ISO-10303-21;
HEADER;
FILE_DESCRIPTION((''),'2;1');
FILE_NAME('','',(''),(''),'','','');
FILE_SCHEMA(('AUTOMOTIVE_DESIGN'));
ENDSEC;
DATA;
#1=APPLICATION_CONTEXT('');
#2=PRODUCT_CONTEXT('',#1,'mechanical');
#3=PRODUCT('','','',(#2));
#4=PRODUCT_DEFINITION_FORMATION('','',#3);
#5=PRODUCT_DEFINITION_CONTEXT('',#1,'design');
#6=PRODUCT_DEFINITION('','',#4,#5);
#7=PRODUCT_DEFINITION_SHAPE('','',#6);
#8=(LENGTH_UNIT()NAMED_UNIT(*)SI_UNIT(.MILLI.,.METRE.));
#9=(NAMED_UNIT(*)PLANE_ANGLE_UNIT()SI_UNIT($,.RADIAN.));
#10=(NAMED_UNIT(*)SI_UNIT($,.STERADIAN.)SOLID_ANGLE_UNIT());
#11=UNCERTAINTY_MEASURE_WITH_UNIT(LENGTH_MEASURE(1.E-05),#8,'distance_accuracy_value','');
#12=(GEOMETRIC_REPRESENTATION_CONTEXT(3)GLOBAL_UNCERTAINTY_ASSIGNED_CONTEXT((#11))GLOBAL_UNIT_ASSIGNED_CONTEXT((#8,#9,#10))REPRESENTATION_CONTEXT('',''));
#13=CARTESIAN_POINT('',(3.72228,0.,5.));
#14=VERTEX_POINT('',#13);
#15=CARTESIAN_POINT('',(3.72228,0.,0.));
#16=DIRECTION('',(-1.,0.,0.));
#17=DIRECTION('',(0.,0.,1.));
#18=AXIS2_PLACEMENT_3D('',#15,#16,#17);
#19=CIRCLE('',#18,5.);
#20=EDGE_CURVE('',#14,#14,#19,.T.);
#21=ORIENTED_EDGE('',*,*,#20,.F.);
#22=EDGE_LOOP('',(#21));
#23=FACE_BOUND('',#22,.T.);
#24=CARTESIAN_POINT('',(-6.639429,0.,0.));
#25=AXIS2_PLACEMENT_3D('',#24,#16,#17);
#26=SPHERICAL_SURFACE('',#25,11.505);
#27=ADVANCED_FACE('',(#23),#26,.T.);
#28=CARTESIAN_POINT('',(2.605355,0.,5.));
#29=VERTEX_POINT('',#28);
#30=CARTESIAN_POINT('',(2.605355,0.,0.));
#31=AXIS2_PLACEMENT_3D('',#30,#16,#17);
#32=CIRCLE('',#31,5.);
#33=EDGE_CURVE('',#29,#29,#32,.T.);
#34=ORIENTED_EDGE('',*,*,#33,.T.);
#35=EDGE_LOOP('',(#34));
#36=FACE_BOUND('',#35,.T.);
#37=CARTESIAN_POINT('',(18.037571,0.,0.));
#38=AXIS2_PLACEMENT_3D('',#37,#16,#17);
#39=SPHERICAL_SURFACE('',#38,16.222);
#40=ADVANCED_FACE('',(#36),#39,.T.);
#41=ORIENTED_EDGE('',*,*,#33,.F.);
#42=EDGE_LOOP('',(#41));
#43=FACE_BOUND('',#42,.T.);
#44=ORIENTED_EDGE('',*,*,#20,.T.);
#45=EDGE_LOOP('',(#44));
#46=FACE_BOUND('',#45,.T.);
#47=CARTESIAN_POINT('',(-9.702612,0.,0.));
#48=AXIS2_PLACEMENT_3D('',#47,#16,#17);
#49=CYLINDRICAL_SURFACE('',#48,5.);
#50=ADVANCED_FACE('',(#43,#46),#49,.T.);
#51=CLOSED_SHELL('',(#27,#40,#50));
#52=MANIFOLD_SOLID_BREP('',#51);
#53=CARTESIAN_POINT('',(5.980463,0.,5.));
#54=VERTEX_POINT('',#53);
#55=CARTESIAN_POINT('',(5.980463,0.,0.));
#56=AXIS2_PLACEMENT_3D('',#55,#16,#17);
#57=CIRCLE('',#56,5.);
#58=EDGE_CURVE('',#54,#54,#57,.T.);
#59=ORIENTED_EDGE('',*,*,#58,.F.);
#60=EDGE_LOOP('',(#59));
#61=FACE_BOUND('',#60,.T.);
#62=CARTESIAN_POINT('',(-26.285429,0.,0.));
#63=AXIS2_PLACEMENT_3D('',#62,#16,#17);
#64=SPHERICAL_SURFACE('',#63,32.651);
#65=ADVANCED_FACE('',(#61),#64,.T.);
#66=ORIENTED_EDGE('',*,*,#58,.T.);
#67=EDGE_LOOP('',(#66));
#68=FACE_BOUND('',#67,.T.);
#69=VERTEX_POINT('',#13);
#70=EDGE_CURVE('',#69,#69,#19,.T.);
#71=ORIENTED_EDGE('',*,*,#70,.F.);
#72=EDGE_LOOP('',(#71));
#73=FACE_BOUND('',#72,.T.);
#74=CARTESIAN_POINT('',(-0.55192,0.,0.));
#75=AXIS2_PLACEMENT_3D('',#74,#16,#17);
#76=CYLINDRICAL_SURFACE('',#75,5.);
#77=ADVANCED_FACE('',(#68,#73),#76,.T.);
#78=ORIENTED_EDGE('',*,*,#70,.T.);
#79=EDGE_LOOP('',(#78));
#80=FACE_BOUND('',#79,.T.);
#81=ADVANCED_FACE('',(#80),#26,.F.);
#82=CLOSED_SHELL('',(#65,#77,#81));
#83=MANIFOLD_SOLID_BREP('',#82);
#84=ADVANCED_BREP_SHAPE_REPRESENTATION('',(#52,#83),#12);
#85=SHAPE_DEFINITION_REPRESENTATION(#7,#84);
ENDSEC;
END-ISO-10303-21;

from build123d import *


with BuildPart() as part:
    # 草图1 one side → 旋转1 (revolve)
    with BuildSketch(Plane(origin=(0, 0, 0), x_dir=(1, 0, 0), z_dir=(0, 1, 0)), mode=Mode.PRIVATE) as revolve_1_sk:
        with BuildLine():
            ThreePointArc((2.605354895, 5), (2.014233192, 2.530995807), (1.815570679, 0))
            Line((1.815570679, 0), (4.865570679, 0))
            ThreePointArc((4.865570679, 0), (4.576106633, 2.564523008), (3.722280238, 5))
            Line((3.722280238, 5), (2.605354895, 5))
        make_face()
    revolve(revolve_1_sk.sketch.rotate(Axis((-9.702612178, 0, 0), (1, 0, 0)), 180), axis=Axis((-9.702612178, 0, 0), (1, 0, 0)))  # turned: the seam where the file's is


with BuildPart() as body_2:
    # 草图2 one side → 旋转3 (revolve)
    with BuildSketch(Plane(origin=(0, 0, 0), x_dir=(1, 0, 0), z_dir=(0, 1, 0)), mode=Mode.PRIVATE) as revolve_3_sk:
        with BuildLine():
            Line((5.980462903, 5), (3.722280238, 5))
            ThreePointArc((3.722280238, 5), (4.576106633, 2.564523008), (4.865570679, 0))
            Line((4.865570679, 0), (6.365570679, 0))
            ThreePointArc((6.365570679, 0), (6.26915137, 2.507404435), (5.980462903, 5))
        make_face()
    revolve(revolve_3_sk.sketch.rotate(Axis((-0.551919993, 0, 0), (1, 0, 0)), 180), axis=Axis((-0.551919993, 0, 0), (1, 0, 0)))  # turned: the seam where the file's is


solid = Compound([part.part, body_2.part])
